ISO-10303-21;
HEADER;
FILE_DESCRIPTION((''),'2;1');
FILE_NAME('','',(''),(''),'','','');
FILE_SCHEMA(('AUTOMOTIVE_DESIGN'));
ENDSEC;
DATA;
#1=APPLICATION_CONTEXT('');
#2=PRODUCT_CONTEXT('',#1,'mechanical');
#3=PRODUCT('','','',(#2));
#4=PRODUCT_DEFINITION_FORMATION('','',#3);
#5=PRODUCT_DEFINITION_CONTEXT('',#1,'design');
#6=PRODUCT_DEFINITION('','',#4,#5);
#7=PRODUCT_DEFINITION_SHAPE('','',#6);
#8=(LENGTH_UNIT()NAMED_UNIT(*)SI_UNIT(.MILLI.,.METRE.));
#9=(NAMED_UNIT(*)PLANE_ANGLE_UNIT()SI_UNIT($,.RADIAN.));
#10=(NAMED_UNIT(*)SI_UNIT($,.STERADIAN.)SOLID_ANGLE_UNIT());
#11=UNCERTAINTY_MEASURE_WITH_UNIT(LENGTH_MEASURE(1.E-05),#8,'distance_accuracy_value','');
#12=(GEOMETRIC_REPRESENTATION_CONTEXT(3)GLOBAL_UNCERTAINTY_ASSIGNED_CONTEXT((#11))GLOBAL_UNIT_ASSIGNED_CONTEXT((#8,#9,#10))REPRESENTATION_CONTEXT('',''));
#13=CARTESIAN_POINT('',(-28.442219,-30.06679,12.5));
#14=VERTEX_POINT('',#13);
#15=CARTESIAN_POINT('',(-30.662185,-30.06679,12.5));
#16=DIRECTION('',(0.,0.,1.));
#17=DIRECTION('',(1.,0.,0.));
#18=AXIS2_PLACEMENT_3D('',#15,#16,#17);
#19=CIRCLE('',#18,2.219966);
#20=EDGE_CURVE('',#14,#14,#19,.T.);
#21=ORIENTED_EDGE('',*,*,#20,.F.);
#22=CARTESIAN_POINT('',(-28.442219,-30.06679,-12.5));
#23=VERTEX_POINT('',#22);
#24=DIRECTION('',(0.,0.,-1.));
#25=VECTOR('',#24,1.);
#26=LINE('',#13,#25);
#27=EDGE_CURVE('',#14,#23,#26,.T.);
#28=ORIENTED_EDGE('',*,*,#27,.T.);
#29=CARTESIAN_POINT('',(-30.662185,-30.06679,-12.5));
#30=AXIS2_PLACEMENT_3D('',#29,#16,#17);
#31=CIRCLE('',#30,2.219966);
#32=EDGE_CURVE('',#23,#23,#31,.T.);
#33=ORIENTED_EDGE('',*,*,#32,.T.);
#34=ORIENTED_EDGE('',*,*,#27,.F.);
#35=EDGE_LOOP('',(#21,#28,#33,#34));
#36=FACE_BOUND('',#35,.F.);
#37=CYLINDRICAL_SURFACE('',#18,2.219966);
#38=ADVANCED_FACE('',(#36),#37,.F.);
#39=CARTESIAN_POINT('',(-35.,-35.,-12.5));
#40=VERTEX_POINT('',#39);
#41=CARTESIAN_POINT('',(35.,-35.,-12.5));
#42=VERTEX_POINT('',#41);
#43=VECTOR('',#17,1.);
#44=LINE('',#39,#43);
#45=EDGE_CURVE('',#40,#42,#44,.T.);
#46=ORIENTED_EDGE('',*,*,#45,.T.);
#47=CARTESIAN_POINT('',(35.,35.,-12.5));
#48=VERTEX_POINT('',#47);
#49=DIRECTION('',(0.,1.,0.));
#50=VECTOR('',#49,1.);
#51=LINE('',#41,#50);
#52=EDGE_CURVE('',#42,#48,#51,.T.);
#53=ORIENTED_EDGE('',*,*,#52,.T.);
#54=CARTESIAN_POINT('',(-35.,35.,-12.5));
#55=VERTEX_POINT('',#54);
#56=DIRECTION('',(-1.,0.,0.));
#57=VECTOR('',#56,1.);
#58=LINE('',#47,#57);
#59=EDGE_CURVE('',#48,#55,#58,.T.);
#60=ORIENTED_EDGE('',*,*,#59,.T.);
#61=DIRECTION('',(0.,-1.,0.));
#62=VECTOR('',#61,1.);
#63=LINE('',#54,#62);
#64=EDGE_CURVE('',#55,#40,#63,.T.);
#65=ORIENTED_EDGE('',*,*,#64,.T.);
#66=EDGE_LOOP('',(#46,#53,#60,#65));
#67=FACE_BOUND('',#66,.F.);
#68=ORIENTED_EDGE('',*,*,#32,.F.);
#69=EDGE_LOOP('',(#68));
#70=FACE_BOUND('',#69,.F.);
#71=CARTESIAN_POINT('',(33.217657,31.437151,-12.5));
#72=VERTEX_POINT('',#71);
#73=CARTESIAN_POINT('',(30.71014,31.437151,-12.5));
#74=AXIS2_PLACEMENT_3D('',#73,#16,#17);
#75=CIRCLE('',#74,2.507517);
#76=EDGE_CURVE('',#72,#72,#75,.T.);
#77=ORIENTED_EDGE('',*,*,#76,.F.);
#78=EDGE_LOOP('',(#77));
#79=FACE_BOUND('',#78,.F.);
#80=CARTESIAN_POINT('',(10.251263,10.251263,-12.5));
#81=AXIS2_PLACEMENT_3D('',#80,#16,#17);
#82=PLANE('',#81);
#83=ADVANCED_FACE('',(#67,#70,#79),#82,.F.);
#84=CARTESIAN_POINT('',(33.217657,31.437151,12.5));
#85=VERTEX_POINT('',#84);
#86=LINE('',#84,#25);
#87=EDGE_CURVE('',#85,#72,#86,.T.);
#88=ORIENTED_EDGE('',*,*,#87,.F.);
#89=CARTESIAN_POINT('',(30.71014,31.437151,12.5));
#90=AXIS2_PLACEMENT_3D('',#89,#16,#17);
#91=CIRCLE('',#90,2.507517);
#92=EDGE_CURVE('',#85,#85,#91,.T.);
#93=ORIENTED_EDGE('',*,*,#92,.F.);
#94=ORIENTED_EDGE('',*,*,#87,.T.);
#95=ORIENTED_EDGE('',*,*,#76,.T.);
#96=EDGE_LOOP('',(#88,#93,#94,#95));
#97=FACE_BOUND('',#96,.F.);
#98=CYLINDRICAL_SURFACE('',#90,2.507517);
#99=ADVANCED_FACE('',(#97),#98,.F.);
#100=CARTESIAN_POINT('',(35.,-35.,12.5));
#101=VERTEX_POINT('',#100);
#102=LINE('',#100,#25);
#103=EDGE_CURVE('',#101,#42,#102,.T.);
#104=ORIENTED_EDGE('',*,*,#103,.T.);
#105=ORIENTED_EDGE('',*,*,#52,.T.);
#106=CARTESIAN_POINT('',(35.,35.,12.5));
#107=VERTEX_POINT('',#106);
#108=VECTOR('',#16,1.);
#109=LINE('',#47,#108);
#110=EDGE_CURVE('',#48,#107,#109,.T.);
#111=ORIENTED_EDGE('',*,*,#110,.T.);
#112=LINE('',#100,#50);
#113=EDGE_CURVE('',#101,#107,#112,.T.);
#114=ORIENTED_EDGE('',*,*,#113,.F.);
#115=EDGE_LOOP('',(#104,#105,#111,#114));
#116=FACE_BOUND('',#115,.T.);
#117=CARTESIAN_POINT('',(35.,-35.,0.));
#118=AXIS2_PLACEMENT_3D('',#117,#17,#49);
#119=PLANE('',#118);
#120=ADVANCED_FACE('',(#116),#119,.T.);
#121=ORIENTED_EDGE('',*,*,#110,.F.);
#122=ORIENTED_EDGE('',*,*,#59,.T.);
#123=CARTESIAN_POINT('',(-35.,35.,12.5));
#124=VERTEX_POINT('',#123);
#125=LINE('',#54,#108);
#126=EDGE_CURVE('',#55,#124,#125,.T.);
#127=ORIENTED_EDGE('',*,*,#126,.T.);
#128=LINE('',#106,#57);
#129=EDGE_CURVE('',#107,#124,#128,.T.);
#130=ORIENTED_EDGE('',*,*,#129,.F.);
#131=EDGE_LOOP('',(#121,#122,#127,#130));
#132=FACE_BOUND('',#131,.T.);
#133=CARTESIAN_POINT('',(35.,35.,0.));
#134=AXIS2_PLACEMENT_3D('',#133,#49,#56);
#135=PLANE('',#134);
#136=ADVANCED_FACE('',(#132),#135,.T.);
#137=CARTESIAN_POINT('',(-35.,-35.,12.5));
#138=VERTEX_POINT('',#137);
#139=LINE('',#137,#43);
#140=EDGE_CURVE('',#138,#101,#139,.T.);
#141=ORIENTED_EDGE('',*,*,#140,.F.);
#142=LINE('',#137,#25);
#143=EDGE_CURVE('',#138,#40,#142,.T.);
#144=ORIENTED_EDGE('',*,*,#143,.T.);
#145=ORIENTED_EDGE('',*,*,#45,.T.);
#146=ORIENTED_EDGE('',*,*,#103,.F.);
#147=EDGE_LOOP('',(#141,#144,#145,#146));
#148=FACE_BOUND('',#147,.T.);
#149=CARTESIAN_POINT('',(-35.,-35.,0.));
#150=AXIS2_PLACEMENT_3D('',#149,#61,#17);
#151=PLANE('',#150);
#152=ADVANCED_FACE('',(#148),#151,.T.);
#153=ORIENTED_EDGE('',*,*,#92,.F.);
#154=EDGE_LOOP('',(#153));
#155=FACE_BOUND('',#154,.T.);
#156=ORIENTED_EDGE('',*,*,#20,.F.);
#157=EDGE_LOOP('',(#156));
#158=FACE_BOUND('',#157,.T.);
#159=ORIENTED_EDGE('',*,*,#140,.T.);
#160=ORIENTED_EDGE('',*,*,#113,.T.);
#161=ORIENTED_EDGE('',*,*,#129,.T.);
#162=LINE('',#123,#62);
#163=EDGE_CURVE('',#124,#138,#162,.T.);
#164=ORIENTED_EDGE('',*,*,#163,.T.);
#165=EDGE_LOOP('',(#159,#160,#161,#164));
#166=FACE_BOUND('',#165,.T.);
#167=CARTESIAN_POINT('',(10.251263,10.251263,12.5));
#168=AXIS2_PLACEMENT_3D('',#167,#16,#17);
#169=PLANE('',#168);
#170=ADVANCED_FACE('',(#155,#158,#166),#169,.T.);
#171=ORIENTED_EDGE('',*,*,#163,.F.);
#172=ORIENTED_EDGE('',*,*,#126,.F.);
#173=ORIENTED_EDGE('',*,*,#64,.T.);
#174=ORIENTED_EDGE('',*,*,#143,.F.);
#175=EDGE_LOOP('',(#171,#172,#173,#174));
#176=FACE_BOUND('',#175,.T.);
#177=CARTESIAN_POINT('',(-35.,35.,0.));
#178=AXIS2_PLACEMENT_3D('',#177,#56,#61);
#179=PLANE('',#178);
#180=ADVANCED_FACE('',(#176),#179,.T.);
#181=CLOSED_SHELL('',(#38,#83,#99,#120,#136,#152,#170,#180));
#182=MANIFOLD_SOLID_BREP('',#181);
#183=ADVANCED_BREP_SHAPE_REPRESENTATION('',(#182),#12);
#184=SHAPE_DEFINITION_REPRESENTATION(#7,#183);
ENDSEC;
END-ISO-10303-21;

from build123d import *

# Parameters (mm, degrees)
F1_DEPTH = 12.5
F2_R     = 2.219966
F2_R_2   = 2.507517
F3_DEPTH = 26


with BuildPart() as f1:
    # F0 (on Top) → F1 (new body, symmetric)
    with BuildSketch(Plane.XY):
        Polygon((35, -35), (35, 35), (-35, 35), align=None)
        Polygon((35, -35), (-35, 35), (-35, -35), align=None)
    extrude(amount=F1_DEPTH, both=True)

    # F2 (on face) → F3 (cut)
    with BuildSketch(Plane.XY.offset(12.5)):
        with Locations((-30.662185, -30.06679)):
            Circle(F2_R)
        with Locations((30.71014, 31.437151)):
            Circle(F2_R_2)
    extrude(amount=-F3_DEPTH, mode=Mode.SUBTRACT)


solid = f1.part
